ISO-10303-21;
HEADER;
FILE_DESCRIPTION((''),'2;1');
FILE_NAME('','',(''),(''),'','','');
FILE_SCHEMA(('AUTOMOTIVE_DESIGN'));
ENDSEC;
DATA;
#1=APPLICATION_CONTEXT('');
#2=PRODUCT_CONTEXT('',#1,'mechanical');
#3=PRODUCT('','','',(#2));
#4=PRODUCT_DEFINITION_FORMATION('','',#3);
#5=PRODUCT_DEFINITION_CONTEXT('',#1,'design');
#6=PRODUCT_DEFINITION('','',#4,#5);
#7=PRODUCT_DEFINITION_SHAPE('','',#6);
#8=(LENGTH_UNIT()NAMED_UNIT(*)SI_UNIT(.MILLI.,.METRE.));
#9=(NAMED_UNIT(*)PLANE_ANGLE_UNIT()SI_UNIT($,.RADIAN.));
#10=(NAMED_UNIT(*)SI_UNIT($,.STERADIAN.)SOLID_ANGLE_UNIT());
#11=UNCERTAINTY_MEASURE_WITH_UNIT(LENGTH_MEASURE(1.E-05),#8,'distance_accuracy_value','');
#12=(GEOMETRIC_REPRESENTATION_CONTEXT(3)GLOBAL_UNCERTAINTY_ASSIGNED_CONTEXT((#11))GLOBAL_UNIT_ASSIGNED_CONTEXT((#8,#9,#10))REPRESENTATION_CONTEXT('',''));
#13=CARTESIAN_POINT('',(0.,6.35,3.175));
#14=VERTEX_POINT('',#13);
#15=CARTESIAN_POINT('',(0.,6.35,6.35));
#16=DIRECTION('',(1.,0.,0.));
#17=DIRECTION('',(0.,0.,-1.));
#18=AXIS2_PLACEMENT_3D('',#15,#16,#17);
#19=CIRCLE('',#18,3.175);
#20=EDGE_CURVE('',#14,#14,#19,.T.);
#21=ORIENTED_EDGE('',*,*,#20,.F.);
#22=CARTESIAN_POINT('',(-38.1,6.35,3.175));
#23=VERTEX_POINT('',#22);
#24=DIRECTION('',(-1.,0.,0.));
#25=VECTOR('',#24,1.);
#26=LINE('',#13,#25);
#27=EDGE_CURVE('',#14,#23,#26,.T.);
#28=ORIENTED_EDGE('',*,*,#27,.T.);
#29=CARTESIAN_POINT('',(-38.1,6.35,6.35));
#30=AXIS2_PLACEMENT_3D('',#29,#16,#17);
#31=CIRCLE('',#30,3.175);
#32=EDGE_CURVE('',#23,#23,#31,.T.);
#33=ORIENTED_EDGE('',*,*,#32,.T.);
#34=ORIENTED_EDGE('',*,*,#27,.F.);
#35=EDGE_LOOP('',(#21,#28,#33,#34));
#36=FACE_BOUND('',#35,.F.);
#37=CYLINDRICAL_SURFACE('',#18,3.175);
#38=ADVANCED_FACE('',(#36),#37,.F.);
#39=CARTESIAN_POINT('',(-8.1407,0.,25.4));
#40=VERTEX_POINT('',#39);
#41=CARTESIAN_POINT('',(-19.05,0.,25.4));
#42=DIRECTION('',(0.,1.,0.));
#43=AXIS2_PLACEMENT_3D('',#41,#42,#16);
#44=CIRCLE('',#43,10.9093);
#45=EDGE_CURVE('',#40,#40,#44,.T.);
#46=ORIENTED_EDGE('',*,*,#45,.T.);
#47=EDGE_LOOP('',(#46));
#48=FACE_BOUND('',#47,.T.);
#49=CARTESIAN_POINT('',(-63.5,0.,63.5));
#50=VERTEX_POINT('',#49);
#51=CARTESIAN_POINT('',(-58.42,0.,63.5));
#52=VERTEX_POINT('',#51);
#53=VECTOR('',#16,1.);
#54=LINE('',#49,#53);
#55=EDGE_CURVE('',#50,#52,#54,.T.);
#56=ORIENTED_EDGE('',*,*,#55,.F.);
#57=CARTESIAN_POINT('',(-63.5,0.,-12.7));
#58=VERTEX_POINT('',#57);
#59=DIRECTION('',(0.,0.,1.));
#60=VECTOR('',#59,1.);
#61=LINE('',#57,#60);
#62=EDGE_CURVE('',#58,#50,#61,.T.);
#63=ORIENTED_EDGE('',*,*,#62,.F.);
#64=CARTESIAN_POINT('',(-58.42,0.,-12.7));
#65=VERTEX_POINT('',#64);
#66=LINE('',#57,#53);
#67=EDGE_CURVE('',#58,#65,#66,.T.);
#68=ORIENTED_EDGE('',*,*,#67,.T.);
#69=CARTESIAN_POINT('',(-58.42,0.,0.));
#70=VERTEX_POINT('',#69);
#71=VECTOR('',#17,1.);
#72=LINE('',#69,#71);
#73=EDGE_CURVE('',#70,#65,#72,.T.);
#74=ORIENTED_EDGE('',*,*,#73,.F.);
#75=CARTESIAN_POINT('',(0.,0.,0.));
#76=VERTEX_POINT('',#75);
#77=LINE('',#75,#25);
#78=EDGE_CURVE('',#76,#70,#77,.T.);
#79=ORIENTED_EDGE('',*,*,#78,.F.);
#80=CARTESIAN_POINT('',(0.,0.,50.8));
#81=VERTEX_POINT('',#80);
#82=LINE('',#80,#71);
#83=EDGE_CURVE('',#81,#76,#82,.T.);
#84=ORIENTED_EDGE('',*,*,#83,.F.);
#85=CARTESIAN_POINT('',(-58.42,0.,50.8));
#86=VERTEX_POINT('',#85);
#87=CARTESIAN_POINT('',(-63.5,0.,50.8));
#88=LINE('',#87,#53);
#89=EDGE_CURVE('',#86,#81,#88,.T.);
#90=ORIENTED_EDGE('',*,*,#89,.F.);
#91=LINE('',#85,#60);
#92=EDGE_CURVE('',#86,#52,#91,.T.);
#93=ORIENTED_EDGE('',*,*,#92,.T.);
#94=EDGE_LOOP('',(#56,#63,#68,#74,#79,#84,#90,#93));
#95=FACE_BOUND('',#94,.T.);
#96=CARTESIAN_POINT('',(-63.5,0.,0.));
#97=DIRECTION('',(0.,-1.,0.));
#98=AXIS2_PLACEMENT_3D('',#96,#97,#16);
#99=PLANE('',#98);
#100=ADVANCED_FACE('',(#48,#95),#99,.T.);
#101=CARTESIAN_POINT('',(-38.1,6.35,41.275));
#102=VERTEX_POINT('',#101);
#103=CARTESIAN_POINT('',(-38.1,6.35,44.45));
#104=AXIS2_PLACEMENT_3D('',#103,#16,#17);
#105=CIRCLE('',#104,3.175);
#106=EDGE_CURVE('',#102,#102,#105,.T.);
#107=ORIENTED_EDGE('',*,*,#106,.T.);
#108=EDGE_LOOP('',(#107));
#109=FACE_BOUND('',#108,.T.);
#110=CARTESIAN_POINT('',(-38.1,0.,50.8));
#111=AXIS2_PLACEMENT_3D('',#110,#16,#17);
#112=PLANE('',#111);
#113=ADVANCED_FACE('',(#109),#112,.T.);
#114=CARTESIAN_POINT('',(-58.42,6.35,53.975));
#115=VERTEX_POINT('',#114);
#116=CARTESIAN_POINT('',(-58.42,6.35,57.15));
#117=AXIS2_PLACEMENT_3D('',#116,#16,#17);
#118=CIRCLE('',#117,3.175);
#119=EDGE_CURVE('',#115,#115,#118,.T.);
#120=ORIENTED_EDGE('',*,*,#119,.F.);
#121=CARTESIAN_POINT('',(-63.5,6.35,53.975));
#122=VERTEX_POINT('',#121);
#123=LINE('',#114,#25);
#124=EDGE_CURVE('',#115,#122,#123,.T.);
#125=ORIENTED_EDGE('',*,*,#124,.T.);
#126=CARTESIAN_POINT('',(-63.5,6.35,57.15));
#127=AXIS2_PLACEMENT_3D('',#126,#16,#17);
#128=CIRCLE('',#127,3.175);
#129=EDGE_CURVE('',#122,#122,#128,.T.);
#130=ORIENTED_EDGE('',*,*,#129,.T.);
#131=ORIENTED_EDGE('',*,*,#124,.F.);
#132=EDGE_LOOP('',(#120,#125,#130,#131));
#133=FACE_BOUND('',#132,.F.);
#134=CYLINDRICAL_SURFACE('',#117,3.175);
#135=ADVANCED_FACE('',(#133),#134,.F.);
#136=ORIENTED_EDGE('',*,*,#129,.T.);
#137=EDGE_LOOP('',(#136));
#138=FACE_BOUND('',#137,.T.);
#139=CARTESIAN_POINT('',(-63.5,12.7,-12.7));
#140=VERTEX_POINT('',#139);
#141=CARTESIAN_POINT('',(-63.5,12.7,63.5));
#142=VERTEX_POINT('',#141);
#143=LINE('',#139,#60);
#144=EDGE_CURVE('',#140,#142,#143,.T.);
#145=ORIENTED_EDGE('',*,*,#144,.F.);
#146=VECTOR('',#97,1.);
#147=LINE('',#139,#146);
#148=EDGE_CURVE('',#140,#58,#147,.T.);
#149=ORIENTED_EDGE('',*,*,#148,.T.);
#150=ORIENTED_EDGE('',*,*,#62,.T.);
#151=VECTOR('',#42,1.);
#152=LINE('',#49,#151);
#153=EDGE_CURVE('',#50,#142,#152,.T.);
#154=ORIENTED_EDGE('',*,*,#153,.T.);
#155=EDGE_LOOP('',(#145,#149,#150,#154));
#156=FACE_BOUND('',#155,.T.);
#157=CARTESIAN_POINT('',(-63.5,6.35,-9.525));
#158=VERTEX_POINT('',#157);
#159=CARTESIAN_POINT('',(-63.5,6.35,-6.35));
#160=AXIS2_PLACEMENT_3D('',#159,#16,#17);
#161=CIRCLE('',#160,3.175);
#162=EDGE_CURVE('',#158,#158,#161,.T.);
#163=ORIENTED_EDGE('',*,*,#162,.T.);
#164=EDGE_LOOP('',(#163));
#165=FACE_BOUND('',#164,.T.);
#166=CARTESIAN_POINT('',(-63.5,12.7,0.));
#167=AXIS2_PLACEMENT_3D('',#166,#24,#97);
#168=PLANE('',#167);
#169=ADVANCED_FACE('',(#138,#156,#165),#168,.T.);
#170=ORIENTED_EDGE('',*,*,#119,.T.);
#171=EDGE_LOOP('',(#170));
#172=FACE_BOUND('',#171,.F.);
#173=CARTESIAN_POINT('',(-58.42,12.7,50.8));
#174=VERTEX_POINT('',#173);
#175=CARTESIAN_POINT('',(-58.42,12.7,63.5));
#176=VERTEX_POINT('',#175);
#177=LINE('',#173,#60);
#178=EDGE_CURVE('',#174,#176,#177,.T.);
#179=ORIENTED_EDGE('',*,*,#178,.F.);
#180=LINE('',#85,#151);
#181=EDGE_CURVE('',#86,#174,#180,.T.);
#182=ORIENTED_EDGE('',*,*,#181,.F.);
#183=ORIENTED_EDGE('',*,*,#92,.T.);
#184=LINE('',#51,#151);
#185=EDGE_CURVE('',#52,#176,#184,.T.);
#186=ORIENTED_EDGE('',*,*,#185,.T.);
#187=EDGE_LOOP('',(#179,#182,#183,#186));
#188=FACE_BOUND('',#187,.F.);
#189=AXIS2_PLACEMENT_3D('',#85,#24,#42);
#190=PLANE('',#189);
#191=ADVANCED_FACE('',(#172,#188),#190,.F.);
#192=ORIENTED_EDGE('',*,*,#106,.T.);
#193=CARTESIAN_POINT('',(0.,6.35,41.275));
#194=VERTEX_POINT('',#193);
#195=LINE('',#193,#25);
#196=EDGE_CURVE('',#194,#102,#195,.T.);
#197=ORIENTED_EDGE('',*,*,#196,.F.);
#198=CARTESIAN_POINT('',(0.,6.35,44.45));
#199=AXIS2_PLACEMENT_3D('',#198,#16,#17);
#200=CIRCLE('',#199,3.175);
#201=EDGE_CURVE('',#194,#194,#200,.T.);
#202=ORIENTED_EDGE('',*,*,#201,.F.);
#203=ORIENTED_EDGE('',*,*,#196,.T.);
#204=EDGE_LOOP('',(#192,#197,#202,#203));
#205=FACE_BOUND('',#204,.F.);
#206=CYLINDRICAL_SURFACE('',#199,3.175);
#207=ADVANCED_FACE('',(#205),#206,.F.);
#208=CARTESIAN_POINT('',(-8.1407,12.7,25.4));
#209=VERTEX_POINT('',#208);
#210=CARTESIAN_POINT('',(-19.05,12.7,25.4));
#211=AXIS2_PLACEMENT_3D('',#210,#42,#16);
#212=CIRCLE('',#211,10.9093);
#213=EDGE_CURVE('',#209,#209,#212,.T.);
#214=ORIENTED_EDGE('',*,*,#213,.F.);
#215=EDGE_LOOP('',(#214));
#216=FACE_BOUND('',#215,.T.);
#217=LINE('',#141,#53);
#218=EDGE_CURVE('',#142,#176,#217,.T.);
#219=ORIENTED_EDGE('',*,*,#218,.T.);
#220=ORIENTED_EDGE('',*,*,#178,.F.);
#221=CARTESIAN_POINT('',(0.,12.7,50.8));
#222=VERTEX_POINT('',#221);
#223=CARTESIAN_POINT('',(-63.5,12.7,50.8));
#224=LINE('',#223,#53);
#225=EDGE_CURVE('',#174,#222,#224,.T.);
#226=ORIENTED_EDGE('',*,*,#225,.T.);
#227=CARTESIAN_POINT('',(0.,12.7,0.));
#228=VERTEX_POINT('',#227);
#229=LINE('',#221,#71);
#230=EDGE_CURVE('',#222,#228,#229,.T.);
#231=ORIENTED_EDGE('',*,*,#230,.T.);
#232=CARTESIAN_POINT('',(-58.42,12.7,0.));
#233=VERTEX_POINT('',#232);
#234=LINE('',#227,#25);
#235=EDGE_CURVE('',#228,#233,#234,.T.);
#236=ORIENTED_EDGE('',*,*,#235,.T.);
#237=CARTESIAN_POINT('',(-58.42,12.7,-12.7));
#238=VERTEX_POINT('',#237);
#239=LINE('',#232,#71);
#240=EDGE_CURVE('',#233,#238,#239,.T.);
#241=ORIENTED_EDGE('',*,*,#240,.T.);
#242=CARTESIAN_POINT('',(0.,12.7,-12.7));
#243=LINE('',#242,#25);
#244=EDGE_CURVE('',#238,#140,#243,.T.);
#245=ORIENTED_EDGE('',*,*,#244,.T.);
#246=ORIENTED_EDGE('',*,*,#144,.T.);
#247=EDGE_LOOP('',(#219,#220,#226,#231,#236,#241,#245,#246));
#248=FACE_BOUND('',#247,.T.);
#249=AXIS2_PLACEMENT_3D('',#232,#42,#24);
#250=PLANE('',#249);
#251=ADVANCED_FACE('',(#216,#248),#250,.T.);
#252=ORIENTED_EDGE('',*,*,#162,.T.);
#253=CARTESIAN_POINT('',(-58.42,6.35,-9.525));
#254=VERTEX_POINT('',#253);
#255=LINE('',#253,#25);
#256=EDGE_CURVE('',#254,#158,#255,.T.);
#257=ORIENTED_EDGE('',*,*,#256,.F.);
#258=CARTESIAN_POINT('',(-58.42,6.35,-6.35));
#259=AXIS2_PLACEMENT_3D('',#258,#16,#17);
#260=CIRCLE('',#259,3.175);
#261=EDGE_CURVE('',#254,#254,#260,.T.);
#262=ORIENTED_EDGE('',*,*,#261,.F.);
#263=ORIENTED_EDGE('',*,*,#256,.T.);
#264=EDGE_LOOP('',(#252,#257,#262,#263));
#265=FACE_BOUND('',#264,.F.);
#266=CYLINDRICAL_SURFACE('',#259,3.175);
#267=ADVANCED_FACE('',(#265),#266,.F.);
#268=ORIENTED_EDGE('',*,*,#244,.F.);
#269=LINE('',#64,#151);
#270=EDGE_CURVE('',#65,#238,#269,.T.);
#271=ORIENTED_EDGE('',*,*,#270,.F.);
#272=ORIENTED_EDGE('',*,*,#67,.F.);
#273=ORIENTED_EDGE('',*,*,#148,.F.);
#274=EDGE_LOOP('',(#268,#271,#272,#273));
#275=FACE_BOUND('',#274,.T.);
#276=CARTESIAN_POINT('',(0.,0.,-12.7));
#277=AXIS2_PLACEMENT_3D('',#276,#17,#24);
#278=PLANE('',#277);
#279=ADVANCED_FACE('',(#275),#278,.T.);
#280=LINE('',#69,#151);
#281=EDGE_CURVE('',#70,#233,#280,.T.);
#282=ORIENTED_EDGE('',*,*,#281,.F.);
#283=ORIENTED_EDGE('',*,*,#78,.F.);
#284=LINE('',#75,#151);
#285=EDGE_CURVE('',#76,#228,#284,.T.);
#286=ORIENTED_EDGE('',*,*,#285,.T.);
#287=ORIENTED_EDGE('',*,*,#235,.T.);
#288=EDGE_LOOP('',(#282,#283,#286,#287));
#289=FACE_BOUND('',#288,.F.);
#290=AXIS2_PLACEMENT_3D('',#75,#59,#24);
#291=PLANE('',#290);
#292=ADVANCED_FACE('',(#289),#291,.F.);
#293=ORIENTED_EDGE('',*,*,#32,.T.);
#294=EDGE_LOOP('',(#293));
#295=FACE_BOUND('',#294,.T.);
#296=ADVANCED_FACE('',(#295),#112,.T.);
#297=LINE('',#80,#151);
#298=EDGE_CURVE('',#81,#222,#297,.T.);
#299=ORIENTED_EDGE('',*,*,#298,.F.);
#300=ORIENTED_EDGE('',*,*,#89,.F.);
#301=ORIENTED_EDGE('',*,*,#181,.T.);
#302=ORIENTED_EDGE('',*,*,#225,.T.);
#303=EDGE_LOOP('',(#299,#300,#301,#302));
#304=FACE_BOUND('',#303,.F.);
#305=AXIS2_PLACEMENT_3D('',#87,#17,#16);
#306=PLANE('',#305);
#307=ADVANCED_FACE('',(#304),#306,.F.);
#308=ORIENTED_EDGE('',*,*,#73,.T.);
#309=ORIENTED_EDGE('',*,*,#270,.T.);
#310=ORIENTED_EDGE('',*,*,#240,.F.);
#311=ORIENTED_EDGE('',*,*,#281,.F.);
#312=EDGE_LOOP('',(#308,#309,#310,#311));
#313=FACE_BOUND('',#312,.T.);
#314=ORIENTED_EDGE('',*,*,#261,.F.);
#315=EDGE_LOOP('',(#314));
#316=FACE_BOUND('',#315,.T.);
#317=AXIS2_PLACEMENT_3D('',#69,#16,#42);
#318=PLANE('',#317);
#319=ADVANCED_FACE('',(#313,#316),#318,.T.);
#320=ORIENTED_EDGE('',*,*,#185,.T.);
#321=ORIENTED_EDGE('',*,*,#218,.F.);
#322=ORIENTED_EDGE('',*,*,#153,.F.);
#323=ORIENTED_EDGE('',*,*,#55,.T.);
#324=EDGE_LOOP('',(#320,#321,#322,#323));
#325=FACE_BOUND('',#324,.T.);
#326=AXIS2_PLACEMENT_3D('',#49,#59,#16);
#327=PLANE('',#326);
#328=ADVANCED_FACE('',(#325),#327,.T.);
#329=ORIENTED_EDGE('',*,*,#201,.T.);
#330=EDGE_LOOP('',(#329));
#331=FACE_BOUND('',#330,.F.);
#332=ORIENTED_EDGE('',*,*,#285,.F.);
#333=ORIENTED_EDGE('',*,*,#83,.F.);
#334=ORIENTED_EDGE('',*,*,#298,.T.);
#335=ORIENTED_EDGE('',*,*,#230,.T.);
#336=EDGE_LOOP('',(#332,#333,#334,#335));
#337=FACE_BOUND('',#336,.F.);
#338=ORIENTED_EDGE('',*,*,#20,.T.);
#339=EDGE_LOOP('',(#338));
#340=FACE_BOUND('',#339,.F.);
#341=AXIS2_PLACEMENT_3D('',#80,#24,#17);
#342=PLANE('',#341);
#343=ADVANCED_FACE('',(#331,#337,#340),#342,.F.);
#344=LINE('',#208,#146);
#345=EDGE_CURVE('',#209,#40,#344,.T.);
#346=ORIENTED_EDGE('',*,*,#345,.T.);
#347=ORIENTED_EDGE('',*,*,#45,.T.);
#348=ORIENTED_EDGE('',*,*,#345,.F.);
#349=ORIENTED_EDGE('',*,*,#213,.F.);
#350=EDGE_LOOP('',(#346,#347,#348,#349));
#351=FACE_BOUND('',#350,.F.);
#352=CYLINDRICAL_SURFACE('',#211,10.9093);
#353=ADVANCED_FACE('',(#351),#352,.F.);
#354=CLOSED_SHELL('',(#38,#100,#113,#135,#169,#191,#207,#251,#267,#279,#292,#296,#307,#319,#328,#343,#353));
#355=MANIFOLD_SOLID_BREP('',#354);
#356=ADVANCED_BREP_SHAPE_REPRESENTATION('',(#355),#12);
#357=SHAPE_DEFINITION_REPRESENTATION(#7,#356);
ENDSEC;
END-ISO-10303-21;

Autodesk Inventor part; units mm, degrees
ref_plane "YZ Plane" through (0, 0, 0) normal (1, 0, 0) x (0, 1, 0)
ref_plane "XZ Plane" through (0, 0, 0) normal (0, 1, 0) x (-1, 0, 0)
ref_plane "XY Plane" through (0, 0, 0) normal (0, 0, 1) x (1, 0, 0)
sketch "Sketch1" plane through (0, 0, 0) normal (0, 1, 0) x (-1, 0, 0)
  line L0 (0, 0) -> (63.5, 0)
  line L1 (63.5, 0) -> (63.5, 50.8)
  line L2 (63.5, 50.8) -> (0, 50.8)
  line L3 (0, 50.8) -> (0, 0)
  dimension "d0" = 63.5
  dimension "d1" = 50.8
extrude "Extrusion1" add sketch "Sketch1" along normal blind 12.7
sketch "Sketch3" plane through (0, 12.7, 0) normal (0, 1, 0) x (1, 0, 0)
  circle A0 centre (-19.05, -25.4) radius 10.9093
  line L0 (-63.5, -50.8) -> (0, -50.8) projected
  line L1 (0, -50.8) -> (0, 0) projected
  dimension "d9" = 21.8186
  dimension "d22" = 19.05
  dimension "d23" = 50.8
  dimension "d24" = 25.4
extrude "Extrusion3" cut sketch "Sketch3" against normal blind 25.4
sketch "Sketch4" plane through (-63.5, 0, 50.8) normal (0, 0, 1) x (1, 0, 0)
  line L0 (0, 12.7) -> (63.5, 12.7) projected
  line L1 (0, 0) -> (0, 12.7) projected
  line L2 (0, 0) -> (5.08, 0)
  line L3 (5.08, 0) -> (5.08, 12.7)
  line L4 (5.08, 12.7) -> (0, 12.7)
  line L5 (0, 12.7) -> (0, 0)
  dimension "d12" = 5.08
extrude "Extrusion4" add sketch "Sketch4" along normal blind 12.7
sketch "Sketch5" plane through (0, 0, 0) normal (0, 0, -1) x (-1, 0, 0)
  line L0 (0, 12.7) -> (63.5, 12.7) projected
  line L1 (63.5, 0) -> (58.42, 0)
  line L2 (58.42, 0) -> (58.42, 12.7)
  line L3 (58.42, 12.7) -> (63.5, 12.7)
  line L4 (63.5, 12.7) -> (63.5, 0)
  dimension "d15" = 5.08
extrude "Extrusion5" add sketch "Sketch5" along normal blind 12.7
sketch "Sketch6" plane through (0, 0, 50.8) normal (1, 0, 0) x (0, 0, -1)
  line L0 (50.8, 0) -> (50.8, 12.7) projected
  line L1 (0, 0) -> (0, 12.7) projected
  circle A0 centre (6.35, 6.35) radius 3.175
  circle A1 centre (44.45, 6.35) radius 3.175
  dimension "d18" = 6.35
  dimension "d19" = 6.35
  dimension "d20" = 6.35
  dimension "d21" = 6.35
extrude "Extrusion6" cut sketch "Sketch6" against normal blind 38.1
thread "Thread1" size "1/4-20 UNC" class "2B" standard "ANSI Unified Screw Threads" full length
thread "Thread2" size "1/4-20 UNC" class "2B" standard "ANSI Unified Screw Threads" full length
sketch "Sketch7" plane through (-58.42, 0, 0) normal (1, 0, 0) x (0, 0, -1)
  circle A0 centre (6.35, 6.35) radius 3.175
  dimension "d31" = 6.35
extrude "Extrusion7" cut sketch "Sketch7" against normal blind 38.1
sketch "Sketch8" plane through (-58.42, 0, 50.8) normal (1, 0, 0) x (0, 0, -1)
  circle A0 centre (-6.35, 6.35) radius 3.175
  point P0 (50.8, 0)
  dimension "d34" = 6.35
extrude "Extrusion8" cut sketch "Sketch8" against normal blind 38.1
equation "\"d24\" = 0.5 * d23"
properties part number "Pipe bracket" material "Aluminum 6061"
